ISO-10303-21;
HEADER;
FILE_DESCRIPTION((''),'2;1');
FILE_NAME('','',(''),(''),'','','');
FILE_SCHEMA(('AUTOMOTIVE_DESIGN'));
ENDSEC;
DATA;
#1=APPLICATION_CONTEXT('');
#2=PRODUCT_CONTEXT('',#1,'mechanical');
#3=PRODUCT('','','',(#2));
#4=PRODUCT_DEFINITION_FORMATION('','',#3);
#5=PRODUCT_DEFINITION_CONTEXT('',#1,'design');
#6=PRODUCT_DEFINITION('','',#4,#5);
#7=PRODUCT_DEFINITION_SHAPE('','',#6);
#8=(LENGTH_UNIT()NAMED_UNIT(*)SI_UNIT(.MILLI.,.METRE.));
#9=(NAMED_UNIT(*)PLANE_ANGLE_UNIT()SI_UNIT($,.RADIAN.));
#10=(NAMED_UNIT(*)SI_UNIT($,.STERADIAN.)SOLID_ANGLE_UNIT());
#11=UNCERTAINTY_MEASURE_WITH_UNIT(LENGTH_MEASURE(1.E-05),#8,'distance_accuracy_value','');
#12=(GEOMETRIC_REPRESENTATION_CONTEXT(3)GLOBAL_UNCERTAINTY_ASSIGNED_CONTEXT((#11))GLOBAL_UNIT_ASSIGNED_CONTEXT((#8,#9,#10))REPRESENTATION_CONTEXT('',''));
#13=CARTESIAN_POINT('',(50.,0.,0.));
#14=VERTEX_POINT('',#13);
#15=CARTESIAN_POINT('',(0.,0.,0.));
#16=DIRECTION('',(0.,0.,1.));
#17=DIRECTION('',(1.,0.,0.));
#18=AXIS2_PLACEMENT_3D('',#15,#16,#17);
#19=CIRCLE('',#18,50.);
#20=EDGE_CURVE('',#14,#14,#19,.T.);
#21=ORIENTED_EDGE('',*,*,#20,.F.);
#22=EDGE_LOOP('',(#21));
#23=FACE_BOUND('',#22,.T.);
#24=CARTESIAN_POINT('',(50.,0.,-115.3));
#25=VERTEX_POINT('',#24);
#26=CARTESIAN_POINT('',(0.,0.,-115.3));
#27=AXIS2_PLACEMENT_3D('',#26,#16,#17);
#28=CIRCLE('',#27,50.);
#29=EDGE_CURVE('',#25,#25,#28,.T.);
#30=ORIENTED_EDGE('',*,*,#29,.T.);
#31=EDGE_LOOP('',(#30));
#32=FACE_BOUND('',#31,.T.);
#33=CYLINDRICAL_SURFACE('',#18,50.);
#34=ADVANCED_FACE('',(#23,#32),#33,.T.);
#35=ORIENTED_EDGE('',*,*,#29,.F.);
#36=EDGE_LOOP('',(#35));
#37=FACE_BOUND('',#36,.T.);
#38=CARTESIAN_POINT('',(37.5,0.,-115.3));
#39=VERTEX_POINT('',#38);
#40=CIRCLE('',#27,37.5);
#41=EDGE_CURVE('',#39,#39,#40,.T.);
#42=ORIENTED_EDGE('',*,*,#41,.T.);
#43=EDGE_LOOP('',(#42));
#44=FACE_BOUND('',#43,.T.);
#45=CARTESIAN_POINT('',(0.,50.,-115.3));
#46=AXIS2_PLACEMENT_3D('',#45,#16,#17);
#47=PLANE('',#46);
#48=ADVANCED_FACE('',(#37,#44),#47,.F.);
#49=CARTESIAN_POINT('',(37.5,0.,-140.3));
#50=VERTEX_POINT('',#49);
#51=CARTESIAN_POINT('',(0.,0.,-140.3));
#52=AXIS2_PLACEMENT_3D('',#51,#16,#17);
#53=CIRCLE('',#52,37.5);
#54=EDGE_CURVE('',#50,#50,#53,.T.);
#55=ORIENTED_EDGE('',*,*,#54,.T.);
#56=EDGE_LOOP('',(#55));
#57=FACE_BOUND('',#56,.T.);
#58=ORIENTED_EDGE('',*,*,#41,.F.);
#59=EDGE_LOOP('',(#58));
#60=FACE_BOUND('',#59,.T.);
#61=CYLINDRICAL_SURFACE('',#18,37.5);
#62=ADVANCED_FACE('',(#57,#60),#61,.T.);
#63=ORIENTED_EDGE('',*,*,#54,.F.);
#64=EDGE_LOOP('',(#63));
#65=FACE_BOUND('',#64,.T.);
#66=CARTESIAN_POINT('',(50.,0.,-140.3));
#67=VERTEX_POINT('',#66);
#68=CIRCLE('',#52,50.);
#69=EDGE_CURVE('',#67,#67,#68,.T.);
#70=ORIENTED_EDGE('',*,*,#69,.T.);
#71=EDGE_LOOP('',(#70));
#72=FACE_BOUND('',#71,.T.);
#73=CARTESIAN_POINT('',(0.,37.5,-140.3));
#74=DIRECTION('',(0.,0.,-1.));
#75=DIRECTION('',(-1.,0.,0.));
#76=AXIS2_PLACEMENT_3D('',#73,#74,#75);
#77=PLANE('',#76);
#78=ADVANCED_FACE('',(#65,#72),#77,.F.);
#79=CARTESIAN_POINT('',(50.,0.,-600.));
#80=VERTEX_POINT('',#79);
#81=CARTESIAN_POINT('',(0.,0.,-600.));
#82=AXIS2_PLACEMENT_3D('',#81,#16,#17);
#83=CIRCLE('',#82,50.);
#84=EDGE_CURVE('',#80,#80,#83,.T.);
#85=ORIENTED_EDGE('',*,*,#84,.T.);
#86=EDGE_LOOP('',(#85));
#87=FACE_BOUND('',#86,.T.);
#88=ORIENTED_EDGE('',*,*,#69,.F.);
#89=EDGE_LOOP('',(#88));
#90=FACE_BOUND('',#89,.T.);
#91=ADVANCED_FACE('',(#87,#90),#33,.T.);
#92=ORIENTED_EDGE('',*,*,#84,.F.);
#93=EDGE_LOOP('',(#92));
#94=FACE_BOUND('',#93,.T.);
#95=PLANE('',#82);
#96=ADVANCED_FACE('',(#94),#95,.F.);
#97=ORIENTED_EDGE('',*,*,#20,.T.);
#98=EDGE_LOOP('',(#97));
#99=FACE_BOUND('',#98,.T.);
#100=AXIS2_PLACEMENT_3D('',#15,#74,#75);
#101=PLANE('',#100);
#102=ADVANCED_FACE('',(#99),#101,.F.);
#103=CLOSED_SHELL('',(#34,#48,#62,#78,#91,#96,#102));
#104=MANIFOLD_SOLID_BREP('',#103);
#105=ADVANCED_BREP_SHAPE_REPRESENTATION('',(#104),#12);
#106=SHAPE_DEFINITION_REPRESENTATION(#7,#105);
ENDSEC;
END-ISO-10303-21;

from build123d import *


with BuildPart() as part:
    # Sketch1 → Revolve1 (revolve)
    with BuildSketch(Plane(origin=(0, 0, 0), x_dir=(0, 0, -1), z_dir=(1, 0, 0)), mode=Mode.PRIVATE) as revolve1_sk:
        Polygon((0, 0), (0, 50), (115.3, 50), (115.3, 37.5), (140.3, 37.5), (140.3, 50), (209.4, 50), (234.4, 50), (542.731986085, 50), (600, 50), (600, 0), align=None)
    revolve(revolve1_sk.sketch.rotate(Axis((0, 0, 0), (0, 0, -1)), 90), axis=Axis((0, 0, 0), (0, 0, -1)))


solid = part.part
